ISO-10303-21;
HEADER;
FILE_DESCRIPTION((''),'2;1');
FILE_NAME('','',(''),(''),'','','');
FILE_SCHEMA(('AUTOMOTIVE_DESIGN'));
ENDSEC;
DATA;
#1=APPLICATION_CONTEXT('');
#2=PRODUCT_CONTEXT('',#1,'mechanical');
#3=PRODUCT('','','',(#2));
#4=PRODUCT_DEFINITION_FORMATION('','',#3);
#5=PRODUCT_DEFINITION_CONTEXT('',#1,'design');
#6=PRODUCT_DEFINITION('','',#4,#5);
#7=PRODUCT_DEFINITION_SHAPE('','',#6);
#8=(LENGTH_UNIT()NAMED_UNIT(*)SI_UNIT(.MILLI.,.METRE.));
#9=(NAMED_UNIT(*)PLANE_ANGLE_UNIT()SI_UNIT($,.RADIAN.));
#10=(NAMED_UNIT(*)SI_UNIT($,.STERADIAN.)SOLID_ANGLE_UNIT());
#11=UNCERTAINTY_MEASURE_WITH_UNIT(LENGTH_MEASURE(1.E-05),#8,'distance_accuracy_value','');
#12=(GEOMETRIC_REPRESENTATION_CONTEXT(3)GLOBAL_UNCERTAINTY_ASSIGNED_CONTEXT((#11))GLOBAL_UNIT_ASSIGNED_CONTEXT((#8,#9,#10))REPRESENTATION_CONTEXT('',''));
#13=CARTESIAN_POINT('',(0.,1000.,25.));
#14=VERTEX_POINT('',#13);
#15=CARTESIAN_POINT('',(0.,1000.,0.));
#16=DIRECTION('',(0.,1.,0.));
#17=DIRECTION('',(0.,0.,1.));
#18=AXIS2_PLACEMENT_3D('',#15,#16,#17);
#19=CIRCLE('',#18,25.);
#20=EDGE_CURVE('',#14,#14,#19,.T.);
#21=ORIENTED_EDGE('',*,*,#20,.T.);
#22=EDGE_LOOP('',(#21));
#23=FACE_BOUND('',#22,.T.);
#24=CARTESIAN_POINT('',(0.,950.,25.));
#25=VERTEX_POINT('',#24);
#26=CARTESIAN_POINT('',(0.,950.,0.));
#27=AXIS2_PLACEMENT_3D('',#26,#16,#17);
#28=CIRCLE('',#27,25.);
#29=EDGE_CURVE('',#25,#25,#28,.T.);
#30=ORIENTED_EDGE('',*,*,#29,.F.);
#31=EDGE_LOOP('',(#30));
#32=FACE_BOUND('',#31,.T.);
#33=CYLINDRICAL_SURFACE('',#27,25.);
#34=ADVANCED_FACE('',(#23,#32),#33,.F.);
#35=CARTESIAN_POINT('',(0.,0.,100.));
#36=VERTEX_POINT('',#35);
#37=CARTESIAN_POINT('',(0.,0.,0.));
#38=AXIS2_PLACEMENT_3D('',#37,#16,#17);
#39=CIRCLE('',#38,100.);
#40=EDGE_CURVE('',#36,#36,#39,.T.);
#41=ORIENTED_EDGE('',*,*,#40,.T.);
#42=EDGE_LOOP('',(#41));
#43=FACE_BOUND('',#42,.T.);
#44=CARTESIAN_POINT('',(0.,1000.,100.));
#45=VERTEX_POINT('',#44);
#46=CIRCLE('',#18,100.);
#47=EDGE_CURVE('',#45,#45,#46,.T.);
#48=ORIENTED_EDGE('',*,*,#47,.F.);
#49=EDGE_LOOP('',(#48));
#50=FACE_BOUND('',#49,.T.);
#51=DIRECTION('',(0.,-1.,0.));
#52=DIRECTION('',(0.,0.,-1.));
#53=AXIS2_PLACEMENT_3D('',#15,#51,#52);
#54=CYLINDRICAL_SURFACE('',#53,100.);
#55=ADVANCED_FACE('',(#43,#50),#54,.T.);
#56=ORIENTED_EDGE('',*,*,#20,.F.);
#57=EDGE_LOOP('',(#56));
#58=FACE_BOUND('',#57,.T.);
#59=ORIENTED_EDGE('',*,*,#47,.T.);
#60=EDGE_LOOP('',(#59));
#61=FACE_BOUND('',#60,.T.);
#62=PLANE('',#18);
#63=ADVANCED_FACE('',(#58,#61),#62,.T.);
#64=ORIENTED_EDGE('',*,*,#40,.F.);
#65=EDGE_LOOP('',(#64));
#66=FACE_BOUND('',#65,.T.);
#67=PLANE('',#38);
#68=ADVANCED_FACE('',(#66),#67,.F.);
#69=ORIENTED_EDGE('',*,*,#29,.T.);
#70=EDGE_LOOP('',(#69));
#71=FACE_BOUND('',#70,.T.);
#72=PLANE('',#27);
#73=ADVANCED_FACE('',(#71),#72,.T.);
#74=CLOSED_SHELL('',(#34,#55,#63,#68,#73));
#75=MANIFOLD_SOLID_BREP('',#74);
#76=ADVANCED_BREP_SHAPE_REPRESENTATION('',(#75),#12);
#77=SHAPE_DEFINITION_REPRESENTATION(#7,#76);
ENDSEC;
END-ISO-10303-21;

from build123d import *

# Parameters (mm, degrees)
SKETCH1_R           = 100
BOSS_EXTRUDE1_DEPTH = 1000
SKETCH2_R           = 25
CUT_EXTRUDE1_DEPTH  = 50


with BuildPart() as part:
    # Sketch1 → Boss-Extrude1 (new body)
    with BuildSketch(Plane(origin=(0, 0, 0), x_dir=(1, 0, 0), z_dir=(0, 1, 0))):
        Circle(SKETCH1_R)
    extrude(amount=BOSS_EXTRUDE1_DEPTH)

    # Sketch2 → Cut-Extrude1 (cut)
    with BuildSketch(Plane(origin=(0, 1000, 0), x_dir=(1, 0, 0), z_dir=(0, 1, 0))):
        Circle(SKETCH2_R)
    extrude(amount=-CUT_EXTRUDE1_DEPTH, mode=Mode.SUBTRACT)


solid = part.part
